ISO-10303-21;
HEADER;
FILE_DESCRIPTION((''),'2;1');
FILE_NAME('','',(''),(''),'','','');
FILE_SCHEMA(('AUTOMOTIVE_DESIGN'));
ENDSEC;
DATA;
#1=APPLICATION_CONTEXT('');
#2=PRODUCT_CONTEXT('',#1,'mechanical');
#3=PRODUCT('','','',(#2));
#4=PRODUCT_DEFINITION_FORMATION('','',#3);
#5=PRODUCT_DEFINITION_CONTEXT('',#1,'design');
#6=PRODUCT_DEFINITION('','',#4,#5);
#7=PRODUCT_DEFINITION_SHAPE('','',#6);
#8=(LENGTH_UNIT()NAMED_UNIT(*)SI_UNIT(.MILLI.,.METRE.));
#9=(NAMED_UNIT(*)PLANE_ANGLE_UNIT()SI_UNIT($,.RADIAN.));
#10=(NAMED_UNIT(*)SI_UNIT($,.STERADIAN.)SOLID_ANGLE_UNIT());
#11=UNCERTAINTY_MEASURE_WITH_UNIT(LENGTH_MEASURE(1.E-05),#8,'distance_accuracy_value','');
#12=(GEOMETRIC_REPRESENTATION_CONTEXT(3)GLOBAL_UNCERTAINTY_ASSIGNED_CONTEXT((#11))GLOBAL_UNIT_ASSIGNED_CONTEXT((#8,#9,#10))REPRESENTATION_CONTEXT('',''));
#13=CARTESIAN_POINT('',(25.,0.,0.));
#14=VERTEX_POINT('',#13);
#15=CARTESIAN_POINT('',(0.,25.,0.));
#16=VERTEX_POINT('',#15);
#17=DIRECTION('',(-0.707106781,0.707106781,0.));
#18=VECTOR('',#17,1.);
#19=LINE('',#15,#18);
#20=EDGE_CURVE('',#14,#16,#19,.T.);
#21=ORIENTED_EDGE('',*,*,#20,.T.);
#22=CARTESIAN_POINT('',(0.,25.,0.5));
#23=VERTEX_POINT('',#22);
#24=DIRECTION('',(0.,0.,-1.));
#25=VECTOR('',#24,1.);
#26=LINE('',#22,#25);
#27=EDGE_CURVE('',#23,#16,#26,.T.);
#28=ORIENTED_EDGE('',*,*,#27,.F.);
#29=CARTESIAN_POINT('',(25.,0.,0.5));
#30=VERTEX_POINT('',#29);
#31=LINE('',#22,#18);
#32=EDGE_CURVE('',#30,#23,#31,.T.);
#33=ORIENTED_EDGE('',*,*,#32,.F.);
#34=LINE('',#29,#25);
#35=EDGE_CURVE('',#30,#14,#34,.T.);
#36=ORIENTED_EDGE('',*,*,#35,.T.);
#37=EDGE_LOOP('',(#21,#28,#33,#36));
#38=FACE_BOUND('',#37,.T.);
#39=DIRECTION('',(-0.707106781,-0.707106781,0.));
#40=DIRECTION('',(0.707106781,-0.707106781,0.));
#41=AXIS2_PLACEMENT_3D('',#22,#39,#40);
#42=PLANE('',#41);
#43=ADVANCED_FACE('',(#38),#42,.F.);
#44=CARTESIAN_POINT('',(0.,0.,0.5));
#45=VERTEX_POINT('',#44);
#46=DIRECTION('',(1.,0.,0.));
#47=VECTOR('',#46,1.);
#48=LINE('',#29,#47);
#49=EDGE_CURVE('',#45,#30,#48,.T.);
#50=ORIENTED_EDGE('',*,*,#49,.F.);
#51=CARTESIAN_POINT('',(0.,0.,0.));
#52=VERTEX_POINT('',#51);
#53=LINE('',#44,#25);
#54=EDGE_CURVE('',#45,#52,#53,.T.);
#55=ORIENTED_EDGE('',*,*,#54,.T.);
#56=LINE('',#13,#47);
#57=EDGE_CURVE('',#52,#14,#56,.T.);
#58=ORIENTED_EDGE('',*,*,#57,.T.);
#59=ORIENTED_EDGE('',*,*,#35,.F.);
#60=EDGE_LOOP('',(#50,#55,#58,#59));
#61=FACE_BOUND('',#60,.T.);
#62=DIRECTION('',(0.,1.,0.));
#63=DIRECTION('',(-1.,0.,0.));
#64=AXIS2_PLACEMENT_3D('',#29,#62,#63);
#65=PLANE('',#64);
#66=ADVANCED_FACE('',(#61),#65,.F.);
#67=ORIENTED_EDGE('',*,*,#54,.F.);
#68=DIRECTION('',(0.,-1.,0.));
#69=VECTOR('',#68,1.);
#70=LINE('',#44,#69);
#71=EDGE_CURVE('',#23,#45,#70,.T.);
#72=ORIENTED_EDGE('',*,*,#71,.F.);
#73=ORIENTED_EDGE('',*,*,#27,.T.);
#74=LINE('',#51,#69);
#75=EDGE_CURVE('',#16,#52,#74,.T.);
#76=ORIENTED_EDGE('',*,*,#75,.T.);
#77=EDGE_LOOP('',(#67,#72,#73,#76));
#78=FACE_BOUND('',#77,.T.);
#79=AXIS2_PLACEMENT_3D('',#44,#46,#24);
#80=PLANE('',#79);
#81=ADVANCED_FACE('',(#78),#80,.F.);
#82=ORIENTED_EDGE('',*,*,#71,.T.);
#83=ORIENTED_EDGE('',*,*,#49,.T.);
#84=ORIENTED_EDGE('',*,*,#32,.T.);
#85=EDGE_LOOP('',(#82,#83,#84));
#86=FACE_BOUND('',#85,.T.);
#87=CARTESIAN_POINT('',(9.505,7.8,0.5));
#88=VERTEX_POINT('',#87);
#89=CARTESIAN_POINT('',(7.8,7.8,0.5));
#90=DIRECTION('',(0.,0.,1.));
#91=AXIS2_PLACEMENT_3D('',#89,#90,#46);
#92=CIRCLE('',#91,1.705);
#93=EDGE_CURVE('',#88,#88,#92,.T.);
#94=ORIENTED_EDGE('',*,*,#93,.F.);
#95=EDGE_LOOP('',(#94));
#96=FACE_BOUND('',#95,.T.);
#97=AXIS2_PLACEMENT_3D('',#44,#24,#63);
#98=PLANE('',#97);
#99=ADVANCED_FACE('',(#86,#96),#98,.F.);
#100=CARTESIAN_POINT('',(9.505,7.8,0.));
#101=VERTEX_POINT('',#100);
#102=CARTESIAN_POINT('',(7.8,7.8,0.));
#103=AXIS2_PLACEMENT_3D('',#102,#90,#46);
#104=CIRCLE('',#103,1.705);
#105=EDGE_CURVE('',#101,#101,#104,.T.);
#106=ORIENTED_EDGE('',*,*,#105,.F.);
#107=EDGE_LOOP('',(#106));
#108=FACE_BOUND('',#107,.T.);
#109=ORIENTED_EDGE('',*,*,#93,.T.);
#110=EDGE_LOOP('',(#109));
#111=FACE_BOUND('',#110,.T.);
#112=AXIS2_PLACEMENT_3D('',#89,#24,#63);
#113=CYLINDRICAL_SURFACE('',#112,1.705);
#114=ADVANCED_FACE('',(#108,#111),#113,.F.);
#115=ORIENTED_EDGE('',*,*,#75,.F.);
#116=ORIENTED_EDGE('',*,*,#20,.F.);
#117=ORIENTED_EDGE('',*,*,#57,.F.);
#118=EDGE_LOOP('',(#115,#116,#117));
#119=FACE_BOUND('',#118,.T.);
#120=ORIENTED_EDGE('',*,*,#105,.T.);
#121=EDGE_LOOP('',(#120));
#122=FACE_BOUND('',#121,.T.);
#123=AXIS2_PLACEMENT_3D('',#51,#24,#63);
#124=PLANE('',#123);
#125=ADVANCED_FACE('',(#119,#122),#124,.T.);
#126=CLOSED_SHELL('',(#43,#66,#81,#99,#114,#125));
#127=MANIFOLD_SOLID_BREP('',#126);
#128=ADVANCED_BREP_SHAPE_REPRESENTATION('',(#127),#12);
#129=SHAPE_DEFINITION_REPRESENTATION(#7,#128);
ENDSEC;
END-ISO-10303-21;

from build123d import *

# Parameters (mm, degrees)
SKETCH1_R           = 1.705
BOSS_EXTRUDE1_DEPTH = 0.5


with BuildPart() as part:
    # Sketch1 → Boss-Extrude1 (new body)
    with BuildSketch(Plane.XY):
        Polygon((0, 0), (0, 25), (25, 0), align=None)
        with Locations((7.8, 7.8)):
            Circle(SKETCH1_R, mode=Mode.SUBTRACT)
    extrude(amount=BOSS_EXTRUDE1_DEPTH)


solid = part.part
